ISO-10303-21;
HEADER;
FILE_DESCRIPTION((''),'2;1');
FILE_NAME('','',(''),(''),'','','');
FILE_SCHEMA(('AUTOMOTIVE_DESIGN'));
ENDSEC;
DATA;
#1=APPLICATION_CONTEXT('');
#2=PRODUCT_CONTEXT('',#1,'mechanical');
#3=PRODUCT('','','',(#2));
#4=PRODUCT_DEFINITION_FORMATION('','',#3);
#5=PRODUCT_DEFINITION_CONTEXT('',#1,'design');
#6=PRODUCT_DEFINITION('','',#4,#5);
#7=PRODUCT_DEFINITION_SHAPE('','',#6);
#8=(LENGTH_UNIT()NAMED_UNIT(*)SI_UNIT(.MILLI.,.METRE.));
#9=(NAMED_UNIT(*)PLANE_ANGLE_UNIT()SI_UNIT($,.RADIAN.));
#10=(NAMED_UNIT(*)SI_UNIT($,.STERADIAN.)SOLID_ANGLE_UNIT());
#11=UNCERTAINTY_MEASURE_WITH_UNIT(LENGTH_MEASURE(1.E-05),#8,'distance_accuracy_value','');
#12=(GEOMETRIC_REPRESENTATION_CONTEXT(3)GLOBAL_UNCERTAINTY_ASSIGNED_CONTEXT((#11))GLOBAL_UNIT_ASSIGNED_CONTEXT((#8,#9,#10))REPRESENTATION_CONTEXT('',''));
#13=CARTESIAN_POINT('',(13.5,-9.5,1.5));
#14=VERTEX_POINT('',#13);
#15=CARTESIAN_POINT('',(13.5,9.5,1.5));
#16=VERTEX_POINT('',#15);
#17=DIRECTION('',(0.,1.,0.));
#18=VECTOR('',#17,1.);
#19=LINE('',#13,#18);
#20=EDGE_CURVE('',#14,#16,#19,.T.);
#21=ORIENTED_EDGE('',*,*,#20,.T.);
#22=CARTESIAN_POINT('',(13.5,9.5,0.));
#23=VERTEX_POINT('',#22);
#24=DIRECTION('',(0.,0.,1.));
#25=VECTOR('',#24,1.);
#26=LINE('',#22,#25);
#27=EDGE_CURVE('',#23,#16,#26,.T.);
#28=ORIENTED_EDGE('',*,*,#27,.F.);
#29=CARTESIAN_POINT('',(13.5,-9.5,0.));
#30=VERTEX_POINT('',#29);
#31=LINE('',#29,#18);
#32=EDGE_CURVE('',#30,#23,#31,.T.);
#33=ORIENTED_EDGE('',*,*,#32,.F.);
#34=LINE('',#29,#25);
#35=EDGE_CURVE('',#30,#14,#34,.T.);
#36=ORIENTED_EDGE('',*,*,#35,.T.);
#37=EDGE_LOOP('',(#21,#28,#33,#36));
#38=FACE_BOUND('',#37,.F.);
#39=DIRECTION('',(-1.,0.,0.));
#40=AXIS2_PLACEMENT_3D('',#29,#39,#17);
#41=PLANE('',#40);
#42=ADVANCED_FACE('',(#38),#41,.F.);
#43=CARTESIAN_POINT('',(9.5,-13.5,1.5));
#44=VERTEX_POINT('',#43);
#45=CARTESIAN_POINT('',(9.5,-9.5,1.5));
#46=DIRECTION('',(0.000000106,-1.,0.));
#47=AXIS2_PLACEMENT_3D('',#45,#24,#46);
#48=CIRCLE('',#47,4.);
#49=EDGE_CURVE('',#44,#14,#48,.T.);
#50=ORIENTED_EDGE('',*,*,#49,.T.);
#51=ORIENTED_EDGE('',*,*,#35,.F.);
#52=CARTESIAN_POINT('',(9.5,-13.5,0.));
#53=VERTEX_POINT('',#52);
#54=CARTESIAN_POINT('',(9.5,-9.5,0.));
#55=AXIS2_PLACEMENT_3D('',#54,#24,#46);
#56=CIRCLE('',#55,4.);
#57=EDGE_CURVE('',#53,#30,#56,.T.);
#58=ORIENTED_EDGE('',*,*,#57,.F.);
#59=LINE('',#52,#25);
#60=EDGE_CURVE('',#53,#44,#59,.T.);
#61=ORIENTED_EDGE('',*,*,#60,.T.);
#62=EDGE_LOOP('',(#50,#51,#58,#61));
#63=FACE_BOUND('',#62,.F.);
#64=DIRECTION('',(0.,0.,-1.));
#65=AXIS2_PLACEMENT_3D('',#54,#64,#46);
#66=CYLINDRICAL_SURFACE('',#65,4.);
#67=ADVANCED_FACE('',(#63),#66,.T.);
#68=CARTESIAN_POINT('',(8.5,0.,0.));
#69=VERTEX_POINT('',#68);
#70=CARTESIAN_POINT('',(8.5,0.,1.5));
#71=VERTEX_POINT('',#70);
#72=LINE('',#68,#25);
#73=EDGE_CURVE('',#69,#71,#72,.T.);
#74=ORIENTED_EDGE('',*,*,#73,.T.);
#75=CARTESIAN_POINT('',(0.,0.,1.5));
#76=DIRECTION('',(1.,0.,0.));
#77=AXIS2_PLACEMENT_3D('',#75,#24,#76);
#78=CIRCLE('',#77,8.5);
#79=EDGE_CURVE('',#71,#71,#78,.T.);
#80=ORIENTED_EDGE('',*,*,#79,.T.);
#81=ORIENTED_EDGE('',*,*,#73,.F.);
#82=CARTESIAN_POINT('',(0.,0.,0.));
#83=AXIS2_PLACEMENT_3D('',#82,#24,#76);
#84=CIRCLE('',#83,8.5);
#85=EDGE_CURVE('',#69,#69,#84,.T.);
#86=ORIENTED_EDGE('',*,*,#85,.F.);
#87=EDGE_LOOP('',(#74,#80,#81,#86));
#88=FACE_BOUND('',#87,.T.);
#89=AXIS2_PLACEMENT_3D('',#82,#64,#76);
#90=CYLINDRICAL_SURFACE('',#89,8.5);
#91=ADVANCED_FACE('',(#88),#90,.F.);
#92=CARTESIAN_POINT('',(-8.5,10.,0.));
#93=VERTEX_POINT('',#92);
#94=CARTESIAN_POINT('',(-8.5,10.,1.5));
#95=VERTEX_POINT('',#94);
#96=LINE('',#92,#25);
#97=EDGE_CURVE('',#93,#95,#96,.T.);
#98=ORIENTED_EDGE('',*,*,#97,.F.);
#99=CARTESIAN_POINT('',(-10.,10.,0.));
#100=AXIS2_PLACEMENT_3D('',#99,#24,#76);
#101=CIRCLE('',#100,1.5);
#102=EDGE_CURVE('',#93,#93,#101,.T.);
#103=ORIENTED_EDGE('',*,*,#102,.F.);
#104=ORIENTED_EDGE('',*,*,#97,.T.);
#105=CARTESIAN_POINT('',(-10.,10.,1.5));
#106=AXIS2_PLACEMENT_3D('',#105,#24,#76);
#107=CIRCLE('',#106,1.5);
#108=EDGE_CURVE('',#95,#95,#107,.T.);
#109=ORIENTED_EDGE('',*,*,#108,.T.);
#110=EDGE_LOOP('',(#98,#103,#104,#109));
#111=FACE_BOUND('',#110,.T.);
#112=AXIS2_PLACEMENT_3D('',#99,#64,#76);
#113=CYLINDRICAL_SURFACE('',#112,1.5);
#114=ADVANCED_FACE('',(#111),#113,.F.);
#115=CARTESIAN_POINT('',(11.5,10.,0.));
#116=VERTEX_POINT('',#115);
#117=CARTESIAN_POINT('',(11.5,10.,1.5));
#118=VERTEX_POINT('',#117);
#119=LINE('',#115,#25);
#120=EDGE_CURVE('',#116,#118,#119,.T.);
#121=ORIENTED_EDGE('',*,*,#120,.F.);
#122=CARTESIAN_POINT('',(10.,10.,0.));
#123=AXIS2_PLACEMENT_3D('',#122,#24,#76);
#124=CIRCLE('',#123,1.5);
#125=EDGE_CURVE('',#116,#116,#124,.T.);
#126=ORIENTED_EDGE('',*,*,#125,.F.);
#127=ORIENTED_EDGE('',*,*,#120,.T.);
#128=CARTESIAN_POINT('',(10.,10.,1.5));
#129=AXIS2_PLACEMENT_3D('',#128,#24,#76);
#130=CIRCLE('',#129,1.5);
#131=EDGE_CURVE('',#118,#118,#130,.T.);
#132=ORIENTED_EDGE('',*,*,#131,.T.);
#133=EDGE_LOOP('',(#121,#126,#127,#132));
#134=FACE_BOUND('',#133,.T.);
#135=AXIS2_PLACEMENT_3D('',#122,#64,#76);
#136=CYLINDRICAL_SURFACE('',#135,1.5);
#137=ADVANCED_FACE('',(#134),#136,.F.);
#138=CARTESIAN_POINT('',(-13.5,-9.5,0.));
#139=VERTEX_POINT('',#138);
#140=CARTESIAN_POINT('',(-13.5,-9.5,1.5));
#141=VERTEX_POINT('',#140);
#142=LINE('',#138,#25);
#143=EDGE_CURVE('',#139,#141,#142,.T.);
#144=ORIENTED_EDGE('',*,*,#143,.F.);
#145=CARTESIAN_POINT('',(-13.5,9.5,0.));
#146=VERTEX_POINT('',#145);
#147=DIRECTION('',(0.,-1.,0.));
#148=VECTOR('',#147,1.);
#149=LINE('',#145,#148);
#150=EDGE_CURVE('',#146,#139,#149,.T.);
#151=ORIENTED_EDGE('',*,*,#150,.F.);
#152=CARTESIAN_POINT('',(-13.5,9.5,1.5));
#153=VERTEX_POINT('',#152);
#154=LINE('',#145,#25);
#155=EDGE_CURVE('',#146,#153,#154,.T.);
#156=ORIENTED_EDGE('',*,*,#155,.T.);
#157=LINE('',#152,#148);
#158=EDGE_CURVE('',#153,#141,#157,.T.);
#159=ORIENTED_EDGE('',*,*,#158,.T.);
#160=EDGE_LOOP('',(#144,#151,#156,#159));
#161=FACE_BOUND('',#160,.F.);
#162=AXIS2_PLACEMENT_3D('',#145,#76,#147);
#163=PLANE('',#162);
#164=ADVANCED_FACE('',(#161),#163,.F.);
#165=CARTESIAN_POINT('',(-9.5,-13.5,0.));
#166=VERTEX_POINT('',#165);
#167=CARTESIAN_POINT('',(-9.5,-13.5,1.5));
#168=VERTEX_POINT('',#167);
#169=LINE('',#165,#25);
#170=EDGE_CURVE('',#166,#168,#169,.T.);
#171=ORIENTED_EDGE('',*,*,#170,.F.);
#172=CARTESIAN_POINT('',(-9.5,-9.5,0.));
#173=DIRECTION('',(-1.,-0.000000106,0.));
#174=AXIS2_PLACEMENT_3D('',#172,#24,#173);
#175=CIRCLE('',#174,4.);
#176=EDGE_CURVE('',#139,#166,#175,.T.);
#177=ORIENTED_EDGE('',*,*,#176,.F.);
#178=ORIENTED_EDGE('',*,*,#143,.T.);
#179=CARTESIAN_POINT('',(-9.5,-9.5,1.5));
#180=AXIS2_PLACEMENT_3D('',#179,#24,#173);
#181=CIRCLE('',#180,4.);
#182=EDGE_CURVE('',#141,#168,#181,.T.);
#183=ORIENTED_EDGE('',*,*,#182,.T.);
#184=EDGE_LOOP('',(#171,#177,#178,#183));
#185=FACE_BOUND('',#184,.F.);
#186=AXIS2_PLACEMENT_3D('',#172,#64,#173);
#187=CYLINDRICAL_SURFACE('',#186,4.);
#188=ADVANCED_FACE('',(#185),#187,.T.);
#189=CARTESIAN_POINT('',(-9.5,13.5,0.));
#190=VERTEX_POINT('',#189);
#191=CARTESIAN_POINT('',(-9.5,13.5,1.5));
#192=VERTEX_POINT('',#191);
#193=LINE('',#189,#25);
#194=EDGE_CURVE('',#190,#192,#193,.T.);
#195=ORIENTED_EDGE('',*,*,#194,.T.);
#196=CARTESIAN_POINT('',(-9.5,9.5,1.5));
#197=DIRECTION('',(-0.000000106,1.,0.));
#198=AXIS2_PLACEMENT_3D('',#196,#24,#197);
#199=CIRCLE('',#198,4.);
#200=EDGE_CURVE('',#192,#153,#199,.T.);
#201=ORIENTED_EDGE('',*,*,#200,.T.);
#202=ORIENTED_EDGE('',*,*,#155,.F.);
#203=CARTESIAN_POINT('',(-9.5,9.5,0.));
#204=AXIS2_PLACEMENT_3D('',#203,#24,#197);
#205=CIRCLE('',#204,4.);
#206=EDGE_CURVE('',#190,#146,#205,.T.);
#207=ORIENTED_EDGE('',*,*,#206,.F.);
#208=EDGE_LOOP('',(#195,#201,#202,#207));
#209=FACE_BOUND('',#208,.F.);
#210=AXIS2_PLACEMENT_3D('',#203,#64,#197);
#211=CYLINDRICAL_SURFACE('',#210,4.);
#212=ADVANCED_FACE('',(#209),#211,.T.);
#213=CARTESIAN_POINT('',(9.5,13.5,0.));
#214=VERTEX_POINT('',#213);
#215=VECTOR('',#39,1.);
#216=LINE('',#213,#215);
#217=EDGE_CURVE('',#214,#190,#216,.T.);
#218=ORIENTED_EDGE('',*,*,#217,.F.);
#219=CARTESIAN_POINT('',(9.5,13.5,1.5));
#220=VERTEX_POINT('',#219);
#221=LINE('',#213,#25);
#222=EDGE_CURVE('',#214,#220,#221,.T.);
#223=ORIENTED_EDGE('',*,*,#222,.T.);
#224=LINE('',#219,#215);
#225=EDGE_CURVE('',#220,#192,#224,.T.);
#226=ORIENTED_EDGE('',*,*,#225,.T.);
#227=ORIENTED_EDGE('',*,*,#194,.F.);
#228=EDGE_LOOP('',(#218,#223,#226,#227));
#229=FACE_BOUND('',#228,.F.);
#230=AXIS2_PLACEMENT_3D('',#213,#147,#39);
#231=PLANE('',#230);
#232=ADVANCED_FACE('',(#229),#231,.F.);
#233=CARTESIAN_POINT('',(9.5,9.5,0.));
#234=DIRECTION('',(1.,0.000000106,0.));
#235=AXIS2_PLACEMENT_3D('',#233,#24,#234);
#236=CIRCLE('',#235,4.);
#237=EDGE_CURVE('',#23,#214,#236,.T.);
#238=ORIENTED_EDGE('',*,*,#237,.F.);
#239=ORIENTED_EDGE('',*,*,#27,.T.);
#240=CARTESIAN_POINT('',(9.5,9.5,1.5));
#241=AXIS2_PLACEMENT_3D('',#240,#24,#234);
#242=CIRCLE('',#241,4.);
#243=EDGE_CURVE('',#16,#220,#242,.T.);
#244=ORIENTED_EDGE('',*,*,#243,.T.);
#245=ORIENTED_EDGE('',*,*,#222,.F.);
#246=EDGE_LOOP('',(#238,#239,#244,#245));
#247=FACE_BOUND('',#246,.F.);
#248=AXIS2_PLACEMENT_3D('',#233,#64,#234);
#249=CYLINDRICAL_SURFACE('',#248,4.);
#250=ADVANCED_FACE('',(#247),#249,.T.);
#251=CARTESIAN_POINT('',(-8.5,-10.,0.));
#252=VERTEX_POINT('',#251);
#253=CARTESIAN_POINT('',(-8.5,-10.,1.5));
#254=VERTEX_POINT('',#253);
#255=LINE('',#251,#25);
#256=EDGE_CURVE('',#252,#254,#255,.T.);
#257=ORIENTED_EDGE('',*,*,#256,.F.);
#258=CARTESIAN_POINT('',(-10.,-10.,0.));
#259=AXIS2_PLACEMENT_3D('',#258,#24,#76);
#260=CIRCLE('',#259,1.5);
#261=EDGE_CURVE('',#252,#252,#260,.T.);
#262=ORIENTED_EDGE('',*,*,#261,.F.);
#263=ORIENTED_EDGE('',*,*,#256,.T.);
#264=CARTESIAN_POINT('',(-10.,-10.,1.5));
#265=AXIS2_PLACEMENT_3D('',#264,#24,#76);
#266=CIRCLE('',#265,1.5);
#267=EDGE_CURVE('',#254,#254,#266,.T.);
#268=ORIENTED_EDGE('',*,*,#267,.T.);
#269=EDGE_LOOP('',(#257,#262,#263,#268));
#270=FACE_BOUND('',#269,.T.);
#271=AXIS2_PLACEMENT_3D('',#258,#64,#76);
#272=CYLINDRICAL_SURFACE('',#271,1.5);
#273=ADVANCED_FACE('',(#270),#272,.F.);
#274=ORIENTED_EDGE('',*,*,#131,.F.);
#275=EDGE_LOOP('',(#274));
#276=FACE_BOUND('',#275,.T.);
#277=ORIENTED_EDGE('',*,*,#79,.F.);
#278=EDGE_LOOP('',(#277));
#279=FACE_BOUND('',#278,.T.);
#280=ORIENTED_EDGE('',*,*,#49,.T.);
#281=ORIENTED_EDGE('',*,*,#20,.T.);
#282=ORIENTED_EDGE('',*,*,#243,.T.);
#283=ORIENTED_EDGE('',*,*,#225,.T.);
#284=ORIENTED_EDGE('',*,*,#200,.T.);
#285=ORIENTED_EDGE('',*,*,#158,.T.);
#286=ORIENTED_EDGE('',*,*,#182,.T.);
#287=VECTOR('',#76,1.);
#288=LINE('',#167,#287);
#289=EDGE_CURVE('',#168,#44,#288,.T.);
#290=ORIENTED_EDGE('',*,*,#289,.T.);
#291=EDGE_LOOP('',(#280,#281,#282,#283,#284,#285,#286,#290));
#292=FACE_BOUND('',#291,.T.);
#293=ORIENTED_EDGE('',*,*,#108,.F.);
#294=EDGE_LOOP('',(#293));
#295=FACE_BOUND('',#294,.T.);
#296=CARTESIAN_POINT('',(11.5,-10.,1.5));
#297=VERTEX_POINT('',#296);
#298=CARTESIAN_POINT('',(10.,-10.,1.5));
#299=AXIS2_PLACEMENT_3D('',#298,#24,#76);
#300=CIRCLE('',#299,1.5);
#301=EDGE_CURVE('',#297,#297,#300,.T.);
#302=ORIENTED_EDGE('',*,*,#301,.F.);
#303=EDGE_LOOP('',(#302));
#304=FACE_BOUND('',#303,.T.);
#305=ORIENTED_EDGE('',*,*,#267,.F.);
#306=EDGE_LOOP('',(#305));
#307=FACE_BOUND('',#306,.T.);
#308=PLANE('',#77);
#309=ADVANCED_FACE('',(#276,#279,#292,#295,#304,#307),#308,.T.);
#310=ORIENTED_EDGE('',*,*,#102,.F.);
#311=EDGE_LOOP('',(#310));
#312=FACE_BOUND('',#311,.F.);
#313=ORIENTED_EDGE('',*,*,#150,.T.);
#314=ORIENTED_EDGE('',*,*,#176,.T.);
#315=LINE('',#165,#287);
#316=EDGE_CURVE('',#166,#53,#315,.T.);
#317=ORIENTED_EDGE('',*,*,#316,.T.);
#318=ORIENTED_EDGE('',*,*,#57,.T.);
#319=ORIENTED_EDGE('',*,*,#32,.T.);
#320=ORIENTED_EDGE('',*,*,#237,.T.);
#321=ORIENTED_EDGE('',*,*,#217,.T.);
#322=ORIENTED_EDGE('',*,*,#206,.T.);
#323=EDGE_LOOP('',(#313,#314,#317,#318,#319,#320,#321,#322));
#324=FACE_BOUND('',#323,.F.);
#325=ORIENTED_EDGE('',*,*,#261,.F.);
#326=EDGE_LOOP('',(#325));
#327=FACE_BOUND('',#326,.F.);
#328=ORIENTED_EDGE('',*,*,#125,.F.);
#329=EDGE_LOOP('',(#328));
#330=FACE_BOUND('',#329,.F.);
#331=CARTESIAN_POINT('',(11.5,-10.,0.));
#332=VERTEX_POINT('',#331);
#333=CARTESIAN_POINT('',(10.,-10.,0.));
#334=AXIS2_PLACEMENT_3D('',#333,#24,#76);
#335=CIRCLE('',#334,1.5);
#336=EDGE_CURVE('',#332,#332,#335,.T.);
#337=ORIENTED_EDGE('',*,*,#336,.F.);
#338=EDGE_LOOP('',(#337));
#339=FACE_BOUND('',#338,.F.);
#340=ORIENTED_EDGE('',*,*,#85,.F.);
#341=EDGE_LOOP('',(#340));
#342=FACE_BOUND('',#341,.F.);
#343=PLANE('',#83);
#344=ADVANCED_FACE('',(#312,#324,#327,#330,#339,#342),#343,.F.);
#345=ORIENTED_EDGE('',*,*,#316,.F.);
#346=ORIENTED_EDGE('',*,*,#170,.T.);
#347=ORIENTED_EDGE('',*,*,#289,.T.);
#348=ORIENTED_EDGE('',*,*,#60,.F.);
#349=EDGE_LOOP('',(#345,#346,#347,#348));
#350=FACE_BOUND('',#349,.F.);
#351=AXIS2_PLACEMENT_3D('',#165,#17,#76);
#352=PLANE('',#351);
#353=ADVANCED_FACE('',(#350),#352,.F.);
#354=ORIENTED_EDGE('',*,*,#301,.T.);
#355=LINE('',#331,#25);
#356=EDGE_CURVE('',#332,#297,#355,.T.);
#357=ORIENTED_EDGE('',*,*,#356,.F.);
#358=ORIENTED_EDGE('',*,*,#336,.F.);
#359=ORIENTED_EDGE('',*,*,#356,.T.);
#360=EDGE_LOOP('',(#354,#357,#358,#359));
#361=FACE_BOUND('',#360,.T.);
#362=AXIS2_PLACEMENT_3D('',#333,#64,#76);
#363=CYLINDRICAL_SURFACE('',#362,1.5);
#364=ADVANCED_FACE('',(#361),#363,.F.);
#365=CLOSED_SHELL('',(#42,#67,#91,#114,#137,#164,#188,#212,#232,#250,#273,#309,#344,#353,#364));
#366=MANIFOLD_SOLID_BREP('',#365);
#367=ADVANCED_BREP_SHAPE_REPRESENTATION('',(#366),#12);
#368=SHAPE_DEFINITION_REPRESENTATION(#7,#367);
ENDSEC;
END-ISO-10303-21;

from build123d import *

# Parameters (mm, degrees)
F0_R     = 1.5
F0_R_2   = 8.5
F1_DEPTH = 1.5


with BuildPart() as f1:
    # F0 (on Top) → F1 (new body)
    with BuildSketch(Plane.XY):
        with BuildLine():
            ThreePointArc((13.5, 9.5), (12.328427, 12.328427), (9.5, 13.5))
            Line((9.5, 13.5), (-9.5, 13.5))
            ThreePointArc((-9.5, 13.5), (-12.328427, 12.328427), (-13.5, 9.5))
            Line((-13.5, 9.5), (-13.5, -9.5))
            ThreePointArc((-13.5, -9.5), (-12.328427, -12.328427), (-9.5, -13.5))
            Line((-9.5, -13.5), (9.5, -13.5))
            ThreePointArc((9.5, -13.5), (12.328427, -12.328427), (13.5, -9.5))
            Line((13.5, -9.5), (13.5, 9.5))
        make_face()
        with Locations((-10, -10)):
            Circle(F0_R, mode=Mode.SUBTRACT)
        with Locations((10, -10)):
            Circle(F0_R, mode=Mode.SUBTRACT)
        with Locations((-10, 10)):
            Circle(F0_R, mode=Mode.SUBTRACT)
        Circle(F0_R_2, mode=Mode.SUBTRACT)
        with Locations((10, 10)):
            Circle(F0_R, mode=Mode.SUBTRACT)
    extrude(amount=F1_DEPTH)


solid = f1.part
